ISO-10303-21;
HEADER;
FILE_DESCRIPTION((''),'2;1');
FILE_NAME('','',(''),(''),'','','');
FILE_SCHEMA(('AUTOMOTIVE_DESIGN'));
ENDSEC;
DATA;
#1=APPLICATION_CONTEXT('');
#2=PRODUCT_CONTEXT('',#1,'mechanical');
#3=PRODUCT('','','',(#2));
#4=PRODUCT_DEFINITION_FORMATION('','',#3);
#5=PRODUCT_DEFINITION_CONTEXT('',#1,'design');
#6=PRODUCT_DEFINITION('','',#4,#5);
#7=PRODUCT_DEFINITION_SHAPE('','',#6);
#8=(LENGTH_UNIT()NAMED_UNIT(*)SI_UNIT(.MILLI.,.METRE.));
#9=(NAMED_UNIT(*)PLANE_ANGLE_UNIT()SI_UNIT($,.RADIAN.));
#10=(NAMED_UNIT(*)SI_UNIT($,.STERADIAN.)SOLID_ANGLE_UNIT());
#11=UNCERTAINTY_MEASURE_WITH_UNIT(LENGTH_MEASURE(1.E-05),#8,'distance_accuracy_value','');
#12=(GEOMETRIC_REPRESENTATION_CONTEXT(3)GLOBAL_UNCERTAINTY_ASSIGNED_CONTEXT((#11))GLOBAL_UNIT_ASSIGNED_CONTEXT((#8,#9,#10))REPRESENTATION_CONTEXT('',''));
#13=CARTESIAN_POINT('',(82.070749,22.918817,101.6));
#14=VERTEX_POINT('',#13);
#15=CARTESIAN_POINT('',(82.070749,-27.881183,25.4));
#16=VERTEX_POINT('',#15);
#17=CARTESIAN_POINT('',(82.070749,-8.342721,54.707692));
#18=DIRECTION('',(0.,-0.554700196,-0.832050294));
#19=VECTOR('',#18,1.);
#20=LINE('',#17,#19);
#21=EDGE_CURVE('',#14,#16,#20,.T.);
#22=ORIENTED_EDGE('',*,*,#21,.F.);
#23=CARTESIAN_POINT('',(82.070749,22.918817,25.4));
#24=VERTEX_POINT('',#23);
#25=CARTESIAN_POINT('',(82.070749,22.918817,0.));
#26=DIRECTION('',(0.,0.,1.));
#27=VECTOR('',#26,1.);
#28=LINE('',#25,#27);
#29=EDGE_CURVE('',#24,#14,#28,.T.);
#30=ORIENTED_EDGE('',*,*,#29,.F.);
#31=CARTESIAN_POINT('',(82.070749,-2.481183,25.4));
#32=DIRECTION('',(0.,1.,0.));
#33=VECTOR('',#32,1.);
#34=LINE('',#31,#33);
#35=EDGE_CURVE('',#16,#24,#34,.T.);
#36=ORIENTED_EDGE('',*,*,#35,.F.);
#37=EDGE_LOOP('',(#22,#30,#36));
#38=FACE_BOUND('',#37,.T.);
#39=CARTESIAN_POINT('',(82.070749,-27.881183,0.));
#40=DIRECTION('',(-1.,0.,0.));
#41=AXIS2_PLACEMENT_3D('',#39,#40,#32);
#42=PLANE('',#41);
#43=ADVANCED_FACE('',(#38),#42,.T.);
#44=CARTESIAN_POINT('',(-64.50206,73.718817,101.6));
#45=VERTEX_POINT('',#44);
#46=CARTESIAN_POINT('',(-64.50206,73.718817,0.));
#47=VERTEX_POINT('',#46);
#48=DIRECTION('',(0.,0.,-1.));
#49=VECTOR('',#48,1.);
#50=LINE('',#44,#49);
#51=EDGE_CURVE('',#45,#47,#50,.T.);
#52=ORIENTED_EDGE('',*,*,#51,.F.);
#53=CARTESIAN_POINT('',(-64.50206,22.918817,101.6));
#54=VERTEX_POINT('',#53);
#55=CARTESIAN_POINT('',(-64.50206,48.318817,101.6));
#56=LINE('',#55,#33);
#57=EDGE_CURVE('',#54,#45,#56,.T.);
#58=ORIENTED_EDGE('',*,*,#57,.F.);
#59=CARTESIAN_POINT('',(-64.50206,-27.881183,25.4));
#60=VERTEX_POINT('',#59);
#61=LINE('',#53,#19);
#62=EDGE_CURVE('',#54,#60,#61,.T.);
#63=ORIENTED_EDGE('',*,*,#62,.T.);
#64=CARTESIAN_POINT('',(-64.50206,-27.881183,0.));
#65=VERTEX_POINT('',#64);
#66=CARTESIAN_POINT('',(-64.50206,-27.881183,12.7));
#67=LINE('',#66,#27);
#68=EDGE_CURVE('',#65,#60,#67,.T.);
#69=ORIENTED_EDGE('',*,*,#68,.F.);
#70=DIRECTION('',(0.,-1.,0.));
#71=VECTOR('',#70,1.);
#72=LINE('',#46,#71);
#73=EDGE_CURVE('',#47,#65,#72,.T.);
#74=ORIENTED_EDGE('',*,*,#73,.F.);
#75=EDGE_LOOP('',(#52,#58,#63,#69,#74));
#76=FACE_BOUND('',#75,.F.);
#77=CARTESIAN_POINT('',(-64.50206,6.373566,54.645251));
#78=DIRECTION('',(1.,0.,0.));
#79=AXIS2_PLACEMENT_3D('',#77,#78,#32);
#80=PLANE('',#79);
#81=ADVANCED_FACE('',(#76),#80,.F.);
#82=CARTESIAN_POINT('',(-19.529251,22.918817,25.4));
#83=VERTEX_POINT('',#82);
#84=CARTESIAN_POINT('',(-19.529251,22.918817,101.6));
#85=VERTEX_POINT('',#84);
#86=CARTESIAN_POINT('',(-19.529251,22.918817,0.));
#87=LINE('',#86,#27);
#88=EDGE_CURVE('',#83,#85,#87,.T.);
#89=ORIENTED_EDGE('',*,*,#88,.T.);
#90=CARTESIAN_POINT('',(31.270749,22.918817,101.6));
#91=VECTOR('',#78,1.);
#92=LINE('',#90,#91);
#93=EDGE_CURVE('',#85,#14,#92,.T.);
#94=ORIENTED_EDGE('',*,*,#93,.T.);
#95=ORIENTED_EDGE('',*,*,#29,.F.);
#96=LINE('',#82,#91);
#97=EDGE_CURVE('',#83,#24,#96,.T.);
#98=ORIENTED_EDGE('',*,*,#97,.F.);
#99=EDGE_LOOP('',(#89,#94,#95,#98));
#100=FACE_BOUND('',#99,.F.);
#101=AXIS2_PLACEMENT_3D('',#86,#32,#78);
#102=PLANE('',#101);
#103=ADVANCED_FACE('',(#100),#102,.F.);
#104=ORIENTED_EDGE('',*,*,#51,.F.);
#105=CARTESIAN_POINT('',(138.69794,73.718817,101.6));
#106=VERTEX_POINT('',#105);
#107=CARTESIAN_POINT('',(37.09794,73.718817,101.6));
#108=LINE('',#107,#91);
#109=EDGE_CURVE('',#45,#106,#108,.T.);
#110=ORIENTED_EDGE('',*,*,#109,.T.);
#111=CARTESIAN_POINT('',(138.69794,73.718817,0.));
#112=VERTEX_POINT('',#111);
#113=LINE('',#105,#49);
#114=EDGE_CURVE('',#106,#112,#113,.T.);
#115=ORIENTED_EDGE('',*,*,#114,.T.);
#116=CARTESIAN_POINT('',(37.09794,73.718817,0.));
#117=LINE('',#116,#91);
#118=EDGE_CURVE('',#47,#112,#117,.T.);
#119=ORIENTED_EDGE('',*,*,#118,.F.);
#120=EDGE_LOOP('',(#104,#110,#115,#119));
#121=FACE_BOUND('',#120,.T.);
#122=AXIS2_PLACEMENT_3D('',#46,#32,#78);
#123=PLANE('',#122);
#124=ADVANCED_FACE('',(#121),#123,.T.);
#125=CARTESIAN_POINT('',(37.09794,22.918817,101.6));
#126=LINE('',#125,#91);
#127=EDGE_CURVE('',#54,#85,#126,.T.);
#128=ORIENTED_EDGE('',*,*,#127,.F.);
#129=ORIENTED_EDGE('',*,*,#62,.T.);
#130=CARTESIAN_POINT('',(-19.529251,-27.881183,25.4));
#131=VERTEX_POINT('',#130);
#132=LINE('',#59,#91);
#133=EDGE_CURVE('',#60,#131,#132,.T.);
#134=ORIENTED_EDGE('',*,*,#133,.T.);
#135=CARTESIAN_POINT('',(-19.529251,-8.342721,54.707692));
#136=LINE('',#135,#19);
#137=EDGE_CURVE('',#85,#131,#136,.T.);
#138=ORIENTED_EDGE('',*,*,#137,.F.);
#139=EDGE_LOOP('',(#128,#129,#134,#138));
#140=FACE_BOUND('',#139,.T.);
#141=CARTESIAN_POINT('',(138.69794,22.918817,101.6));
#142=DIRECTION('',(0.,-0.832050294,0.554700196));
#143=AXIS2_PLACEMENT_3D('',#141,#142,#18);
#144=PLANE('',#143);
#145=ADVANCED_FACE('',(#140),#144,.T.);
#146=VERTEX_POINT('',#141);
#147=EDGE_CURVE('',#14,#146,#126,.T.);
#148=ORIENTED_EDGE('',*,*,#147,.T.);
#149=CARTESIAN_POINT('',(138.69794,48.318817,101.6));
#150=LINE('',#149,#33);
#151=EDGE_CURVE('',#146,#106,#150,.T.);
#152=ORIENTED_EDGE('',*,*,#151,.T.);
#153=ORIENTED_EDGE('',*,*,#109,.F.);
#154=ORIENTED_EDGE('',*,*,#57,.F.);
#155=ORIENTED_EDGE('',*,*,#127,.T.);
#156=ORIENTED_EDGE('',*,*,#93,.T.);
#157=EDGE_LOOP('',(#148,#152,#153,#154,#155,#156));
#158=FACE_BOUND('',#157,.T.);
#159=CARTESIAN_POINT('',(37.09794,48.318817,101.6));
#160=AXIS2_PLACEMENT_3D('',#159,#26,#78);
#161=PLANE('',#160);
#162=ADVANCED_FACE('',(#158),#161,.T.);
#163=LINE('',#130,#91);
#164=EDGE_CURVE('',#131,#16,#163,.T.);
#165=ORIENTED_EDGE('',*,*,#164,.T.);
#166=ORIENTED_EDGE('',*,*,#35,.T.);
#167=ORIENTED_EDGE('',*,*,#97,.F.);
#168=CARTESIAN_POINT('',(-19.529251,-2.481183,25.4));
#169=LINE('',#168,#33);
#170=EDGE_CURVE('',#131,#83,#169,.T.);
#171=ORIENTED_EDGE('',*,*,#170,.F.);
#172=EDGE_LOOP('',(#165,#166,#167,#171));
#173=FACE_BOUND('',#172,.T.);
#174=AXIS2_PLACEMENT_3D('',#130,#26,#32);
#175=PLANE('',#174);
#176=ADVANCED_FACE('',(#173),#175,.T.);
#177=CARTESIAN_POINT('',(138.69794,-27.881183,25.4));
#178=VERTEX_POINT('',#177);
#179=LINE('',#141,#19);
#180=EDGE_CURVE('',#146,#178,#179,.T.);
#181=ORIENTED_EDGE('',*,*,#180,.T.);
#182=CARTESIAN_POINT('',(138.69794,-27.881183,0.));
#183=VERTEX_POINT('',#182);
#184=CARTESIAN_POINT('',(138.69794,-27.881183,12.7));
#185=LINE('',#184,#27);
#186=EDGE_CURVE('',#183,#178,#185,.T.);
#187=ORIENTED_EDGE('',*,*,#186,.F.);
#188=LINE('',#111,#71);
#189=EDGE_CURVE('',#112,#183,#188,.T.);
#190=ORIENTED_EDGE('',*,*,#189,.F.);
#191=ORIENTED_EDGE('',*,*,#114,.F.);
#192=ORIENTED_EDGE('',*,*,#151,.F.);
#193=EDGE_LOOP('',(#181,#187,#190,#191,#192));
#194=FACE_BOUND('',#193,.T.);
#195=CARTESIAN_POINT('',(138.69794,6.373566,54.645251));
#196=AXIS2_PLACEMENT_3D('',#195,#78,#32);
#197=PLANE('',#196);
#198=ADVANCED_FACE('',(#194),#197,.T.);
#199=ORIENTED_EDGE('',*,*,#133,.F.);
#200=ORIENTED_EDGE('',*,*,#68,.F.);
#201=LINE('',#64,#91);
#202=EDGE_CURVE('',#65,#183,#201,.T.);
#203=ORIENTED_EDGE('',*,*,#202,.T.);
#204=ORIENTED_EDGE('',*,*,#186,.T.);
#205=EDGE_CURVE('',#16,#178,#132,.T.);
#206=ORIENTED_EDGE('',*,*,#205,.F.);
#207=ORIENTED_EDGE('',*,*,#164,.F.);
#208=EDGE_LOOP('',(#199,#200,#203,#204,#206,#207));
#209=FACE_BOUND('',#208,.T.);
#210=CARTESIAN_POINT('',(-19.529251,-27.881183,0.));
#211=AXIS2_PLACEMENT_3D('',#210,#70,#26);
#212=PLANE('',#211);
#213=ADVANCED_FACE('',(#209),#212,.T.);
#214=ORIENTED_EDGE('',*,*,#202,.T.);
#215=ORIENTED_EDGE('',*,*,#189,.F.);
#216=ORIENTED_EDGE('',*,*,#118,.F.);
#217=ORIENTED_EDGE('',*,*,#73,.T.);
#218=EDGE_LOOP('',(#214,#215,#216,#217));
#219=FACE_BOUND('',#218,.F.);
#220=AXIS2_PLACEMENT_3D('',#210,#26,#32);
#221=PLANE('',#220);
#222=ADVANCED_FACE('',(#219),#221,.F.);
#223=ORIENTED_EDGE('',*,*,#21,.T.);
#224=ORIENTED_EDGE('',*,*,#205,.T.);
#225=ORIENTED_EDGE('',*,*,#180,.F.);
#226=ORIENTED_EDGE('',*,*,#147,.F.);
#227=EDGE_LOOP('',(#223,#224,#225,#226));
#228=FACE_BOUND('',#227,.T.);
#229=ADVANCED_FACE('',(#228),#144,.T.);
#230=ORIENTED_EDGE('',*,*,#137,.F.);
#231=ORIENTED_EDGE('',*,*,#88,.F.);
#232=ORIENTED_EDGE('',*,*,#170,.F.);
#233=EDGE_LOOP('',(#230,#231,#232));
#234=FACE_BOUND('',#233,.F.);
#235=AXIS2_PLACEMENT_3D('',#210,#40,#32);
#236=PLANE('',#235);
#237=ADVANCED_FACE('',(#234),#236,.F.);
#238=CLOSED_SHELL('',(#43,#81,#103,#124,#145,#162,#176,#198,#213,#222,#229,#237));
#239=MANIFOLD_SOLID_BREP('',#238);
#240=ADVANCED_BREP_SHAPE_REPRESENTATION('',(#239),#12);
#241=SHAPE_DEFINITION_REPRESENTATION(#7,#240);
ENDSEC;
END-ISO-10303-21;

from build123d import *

# Parameters (mm, degrees)
F0_W     = 203.2
F0_H     = 50.8
F1_DEPTH = 101.6
F2_W     = 101.6
F2_H     = 25.4
F3_DEPTH = 203.2
F5_DEPTH = 203.2
F6_W     = 101.6
F6_H     = 50.8
F7_DEPTH = 101.6
F8_W     = 50.8
F8_H     = 25.4
F9_DEPTH = 101.6


with BuildPart() as f1:
    # F0 (on Top) → F1 (new body)
    with BuildSketch(Plane.XY):
        with Locations((37.09794, 48.318817)):
            Rectangle(F0_W, F0_H)
    extrude(amount=F1_DEPTH)

    # F2 (on face) → F3 (join)
    with BuildSketch(Plane(origin=(-64.50206, 0, 0), x_dir=(0, -1, 0), z_dir=(-1, 0, 0))):
        with Locations((-22.918817, 12.7)):
            Rectangle(F2_W, F2_H)
    extrude(amount=-F3_DEPTH)

    # F4 (on face) → F5 (join)
    with BuildSketch(Plane.YZ.offset(138.69794)):
        Polygon((22.918817, 101.6), (-27.881183, 25.4), (22.918817, 25.4), align=None)
    extrude(amount=-F5_DEPTH)

    # F6 (on Top) → F7 (cut)
    with BuildSketch(Plane.XY):
        with Locations((31.270749, -2.481183)):
            Rectangle(F6_W, F6_H)
    extrude(amount=F7_DEPTH, mode=Mode.SUBTRACT)

    # F8 (on face) → F9 (join)
    with BuildSketch(Plane.YZ.offset(-19.529251)):
        with Locations((-2.481183, 12.7)):
            Rectangle(F8_W, F8_H)
    extrude(amount=F9_DEPTH)


solid = f1.part
